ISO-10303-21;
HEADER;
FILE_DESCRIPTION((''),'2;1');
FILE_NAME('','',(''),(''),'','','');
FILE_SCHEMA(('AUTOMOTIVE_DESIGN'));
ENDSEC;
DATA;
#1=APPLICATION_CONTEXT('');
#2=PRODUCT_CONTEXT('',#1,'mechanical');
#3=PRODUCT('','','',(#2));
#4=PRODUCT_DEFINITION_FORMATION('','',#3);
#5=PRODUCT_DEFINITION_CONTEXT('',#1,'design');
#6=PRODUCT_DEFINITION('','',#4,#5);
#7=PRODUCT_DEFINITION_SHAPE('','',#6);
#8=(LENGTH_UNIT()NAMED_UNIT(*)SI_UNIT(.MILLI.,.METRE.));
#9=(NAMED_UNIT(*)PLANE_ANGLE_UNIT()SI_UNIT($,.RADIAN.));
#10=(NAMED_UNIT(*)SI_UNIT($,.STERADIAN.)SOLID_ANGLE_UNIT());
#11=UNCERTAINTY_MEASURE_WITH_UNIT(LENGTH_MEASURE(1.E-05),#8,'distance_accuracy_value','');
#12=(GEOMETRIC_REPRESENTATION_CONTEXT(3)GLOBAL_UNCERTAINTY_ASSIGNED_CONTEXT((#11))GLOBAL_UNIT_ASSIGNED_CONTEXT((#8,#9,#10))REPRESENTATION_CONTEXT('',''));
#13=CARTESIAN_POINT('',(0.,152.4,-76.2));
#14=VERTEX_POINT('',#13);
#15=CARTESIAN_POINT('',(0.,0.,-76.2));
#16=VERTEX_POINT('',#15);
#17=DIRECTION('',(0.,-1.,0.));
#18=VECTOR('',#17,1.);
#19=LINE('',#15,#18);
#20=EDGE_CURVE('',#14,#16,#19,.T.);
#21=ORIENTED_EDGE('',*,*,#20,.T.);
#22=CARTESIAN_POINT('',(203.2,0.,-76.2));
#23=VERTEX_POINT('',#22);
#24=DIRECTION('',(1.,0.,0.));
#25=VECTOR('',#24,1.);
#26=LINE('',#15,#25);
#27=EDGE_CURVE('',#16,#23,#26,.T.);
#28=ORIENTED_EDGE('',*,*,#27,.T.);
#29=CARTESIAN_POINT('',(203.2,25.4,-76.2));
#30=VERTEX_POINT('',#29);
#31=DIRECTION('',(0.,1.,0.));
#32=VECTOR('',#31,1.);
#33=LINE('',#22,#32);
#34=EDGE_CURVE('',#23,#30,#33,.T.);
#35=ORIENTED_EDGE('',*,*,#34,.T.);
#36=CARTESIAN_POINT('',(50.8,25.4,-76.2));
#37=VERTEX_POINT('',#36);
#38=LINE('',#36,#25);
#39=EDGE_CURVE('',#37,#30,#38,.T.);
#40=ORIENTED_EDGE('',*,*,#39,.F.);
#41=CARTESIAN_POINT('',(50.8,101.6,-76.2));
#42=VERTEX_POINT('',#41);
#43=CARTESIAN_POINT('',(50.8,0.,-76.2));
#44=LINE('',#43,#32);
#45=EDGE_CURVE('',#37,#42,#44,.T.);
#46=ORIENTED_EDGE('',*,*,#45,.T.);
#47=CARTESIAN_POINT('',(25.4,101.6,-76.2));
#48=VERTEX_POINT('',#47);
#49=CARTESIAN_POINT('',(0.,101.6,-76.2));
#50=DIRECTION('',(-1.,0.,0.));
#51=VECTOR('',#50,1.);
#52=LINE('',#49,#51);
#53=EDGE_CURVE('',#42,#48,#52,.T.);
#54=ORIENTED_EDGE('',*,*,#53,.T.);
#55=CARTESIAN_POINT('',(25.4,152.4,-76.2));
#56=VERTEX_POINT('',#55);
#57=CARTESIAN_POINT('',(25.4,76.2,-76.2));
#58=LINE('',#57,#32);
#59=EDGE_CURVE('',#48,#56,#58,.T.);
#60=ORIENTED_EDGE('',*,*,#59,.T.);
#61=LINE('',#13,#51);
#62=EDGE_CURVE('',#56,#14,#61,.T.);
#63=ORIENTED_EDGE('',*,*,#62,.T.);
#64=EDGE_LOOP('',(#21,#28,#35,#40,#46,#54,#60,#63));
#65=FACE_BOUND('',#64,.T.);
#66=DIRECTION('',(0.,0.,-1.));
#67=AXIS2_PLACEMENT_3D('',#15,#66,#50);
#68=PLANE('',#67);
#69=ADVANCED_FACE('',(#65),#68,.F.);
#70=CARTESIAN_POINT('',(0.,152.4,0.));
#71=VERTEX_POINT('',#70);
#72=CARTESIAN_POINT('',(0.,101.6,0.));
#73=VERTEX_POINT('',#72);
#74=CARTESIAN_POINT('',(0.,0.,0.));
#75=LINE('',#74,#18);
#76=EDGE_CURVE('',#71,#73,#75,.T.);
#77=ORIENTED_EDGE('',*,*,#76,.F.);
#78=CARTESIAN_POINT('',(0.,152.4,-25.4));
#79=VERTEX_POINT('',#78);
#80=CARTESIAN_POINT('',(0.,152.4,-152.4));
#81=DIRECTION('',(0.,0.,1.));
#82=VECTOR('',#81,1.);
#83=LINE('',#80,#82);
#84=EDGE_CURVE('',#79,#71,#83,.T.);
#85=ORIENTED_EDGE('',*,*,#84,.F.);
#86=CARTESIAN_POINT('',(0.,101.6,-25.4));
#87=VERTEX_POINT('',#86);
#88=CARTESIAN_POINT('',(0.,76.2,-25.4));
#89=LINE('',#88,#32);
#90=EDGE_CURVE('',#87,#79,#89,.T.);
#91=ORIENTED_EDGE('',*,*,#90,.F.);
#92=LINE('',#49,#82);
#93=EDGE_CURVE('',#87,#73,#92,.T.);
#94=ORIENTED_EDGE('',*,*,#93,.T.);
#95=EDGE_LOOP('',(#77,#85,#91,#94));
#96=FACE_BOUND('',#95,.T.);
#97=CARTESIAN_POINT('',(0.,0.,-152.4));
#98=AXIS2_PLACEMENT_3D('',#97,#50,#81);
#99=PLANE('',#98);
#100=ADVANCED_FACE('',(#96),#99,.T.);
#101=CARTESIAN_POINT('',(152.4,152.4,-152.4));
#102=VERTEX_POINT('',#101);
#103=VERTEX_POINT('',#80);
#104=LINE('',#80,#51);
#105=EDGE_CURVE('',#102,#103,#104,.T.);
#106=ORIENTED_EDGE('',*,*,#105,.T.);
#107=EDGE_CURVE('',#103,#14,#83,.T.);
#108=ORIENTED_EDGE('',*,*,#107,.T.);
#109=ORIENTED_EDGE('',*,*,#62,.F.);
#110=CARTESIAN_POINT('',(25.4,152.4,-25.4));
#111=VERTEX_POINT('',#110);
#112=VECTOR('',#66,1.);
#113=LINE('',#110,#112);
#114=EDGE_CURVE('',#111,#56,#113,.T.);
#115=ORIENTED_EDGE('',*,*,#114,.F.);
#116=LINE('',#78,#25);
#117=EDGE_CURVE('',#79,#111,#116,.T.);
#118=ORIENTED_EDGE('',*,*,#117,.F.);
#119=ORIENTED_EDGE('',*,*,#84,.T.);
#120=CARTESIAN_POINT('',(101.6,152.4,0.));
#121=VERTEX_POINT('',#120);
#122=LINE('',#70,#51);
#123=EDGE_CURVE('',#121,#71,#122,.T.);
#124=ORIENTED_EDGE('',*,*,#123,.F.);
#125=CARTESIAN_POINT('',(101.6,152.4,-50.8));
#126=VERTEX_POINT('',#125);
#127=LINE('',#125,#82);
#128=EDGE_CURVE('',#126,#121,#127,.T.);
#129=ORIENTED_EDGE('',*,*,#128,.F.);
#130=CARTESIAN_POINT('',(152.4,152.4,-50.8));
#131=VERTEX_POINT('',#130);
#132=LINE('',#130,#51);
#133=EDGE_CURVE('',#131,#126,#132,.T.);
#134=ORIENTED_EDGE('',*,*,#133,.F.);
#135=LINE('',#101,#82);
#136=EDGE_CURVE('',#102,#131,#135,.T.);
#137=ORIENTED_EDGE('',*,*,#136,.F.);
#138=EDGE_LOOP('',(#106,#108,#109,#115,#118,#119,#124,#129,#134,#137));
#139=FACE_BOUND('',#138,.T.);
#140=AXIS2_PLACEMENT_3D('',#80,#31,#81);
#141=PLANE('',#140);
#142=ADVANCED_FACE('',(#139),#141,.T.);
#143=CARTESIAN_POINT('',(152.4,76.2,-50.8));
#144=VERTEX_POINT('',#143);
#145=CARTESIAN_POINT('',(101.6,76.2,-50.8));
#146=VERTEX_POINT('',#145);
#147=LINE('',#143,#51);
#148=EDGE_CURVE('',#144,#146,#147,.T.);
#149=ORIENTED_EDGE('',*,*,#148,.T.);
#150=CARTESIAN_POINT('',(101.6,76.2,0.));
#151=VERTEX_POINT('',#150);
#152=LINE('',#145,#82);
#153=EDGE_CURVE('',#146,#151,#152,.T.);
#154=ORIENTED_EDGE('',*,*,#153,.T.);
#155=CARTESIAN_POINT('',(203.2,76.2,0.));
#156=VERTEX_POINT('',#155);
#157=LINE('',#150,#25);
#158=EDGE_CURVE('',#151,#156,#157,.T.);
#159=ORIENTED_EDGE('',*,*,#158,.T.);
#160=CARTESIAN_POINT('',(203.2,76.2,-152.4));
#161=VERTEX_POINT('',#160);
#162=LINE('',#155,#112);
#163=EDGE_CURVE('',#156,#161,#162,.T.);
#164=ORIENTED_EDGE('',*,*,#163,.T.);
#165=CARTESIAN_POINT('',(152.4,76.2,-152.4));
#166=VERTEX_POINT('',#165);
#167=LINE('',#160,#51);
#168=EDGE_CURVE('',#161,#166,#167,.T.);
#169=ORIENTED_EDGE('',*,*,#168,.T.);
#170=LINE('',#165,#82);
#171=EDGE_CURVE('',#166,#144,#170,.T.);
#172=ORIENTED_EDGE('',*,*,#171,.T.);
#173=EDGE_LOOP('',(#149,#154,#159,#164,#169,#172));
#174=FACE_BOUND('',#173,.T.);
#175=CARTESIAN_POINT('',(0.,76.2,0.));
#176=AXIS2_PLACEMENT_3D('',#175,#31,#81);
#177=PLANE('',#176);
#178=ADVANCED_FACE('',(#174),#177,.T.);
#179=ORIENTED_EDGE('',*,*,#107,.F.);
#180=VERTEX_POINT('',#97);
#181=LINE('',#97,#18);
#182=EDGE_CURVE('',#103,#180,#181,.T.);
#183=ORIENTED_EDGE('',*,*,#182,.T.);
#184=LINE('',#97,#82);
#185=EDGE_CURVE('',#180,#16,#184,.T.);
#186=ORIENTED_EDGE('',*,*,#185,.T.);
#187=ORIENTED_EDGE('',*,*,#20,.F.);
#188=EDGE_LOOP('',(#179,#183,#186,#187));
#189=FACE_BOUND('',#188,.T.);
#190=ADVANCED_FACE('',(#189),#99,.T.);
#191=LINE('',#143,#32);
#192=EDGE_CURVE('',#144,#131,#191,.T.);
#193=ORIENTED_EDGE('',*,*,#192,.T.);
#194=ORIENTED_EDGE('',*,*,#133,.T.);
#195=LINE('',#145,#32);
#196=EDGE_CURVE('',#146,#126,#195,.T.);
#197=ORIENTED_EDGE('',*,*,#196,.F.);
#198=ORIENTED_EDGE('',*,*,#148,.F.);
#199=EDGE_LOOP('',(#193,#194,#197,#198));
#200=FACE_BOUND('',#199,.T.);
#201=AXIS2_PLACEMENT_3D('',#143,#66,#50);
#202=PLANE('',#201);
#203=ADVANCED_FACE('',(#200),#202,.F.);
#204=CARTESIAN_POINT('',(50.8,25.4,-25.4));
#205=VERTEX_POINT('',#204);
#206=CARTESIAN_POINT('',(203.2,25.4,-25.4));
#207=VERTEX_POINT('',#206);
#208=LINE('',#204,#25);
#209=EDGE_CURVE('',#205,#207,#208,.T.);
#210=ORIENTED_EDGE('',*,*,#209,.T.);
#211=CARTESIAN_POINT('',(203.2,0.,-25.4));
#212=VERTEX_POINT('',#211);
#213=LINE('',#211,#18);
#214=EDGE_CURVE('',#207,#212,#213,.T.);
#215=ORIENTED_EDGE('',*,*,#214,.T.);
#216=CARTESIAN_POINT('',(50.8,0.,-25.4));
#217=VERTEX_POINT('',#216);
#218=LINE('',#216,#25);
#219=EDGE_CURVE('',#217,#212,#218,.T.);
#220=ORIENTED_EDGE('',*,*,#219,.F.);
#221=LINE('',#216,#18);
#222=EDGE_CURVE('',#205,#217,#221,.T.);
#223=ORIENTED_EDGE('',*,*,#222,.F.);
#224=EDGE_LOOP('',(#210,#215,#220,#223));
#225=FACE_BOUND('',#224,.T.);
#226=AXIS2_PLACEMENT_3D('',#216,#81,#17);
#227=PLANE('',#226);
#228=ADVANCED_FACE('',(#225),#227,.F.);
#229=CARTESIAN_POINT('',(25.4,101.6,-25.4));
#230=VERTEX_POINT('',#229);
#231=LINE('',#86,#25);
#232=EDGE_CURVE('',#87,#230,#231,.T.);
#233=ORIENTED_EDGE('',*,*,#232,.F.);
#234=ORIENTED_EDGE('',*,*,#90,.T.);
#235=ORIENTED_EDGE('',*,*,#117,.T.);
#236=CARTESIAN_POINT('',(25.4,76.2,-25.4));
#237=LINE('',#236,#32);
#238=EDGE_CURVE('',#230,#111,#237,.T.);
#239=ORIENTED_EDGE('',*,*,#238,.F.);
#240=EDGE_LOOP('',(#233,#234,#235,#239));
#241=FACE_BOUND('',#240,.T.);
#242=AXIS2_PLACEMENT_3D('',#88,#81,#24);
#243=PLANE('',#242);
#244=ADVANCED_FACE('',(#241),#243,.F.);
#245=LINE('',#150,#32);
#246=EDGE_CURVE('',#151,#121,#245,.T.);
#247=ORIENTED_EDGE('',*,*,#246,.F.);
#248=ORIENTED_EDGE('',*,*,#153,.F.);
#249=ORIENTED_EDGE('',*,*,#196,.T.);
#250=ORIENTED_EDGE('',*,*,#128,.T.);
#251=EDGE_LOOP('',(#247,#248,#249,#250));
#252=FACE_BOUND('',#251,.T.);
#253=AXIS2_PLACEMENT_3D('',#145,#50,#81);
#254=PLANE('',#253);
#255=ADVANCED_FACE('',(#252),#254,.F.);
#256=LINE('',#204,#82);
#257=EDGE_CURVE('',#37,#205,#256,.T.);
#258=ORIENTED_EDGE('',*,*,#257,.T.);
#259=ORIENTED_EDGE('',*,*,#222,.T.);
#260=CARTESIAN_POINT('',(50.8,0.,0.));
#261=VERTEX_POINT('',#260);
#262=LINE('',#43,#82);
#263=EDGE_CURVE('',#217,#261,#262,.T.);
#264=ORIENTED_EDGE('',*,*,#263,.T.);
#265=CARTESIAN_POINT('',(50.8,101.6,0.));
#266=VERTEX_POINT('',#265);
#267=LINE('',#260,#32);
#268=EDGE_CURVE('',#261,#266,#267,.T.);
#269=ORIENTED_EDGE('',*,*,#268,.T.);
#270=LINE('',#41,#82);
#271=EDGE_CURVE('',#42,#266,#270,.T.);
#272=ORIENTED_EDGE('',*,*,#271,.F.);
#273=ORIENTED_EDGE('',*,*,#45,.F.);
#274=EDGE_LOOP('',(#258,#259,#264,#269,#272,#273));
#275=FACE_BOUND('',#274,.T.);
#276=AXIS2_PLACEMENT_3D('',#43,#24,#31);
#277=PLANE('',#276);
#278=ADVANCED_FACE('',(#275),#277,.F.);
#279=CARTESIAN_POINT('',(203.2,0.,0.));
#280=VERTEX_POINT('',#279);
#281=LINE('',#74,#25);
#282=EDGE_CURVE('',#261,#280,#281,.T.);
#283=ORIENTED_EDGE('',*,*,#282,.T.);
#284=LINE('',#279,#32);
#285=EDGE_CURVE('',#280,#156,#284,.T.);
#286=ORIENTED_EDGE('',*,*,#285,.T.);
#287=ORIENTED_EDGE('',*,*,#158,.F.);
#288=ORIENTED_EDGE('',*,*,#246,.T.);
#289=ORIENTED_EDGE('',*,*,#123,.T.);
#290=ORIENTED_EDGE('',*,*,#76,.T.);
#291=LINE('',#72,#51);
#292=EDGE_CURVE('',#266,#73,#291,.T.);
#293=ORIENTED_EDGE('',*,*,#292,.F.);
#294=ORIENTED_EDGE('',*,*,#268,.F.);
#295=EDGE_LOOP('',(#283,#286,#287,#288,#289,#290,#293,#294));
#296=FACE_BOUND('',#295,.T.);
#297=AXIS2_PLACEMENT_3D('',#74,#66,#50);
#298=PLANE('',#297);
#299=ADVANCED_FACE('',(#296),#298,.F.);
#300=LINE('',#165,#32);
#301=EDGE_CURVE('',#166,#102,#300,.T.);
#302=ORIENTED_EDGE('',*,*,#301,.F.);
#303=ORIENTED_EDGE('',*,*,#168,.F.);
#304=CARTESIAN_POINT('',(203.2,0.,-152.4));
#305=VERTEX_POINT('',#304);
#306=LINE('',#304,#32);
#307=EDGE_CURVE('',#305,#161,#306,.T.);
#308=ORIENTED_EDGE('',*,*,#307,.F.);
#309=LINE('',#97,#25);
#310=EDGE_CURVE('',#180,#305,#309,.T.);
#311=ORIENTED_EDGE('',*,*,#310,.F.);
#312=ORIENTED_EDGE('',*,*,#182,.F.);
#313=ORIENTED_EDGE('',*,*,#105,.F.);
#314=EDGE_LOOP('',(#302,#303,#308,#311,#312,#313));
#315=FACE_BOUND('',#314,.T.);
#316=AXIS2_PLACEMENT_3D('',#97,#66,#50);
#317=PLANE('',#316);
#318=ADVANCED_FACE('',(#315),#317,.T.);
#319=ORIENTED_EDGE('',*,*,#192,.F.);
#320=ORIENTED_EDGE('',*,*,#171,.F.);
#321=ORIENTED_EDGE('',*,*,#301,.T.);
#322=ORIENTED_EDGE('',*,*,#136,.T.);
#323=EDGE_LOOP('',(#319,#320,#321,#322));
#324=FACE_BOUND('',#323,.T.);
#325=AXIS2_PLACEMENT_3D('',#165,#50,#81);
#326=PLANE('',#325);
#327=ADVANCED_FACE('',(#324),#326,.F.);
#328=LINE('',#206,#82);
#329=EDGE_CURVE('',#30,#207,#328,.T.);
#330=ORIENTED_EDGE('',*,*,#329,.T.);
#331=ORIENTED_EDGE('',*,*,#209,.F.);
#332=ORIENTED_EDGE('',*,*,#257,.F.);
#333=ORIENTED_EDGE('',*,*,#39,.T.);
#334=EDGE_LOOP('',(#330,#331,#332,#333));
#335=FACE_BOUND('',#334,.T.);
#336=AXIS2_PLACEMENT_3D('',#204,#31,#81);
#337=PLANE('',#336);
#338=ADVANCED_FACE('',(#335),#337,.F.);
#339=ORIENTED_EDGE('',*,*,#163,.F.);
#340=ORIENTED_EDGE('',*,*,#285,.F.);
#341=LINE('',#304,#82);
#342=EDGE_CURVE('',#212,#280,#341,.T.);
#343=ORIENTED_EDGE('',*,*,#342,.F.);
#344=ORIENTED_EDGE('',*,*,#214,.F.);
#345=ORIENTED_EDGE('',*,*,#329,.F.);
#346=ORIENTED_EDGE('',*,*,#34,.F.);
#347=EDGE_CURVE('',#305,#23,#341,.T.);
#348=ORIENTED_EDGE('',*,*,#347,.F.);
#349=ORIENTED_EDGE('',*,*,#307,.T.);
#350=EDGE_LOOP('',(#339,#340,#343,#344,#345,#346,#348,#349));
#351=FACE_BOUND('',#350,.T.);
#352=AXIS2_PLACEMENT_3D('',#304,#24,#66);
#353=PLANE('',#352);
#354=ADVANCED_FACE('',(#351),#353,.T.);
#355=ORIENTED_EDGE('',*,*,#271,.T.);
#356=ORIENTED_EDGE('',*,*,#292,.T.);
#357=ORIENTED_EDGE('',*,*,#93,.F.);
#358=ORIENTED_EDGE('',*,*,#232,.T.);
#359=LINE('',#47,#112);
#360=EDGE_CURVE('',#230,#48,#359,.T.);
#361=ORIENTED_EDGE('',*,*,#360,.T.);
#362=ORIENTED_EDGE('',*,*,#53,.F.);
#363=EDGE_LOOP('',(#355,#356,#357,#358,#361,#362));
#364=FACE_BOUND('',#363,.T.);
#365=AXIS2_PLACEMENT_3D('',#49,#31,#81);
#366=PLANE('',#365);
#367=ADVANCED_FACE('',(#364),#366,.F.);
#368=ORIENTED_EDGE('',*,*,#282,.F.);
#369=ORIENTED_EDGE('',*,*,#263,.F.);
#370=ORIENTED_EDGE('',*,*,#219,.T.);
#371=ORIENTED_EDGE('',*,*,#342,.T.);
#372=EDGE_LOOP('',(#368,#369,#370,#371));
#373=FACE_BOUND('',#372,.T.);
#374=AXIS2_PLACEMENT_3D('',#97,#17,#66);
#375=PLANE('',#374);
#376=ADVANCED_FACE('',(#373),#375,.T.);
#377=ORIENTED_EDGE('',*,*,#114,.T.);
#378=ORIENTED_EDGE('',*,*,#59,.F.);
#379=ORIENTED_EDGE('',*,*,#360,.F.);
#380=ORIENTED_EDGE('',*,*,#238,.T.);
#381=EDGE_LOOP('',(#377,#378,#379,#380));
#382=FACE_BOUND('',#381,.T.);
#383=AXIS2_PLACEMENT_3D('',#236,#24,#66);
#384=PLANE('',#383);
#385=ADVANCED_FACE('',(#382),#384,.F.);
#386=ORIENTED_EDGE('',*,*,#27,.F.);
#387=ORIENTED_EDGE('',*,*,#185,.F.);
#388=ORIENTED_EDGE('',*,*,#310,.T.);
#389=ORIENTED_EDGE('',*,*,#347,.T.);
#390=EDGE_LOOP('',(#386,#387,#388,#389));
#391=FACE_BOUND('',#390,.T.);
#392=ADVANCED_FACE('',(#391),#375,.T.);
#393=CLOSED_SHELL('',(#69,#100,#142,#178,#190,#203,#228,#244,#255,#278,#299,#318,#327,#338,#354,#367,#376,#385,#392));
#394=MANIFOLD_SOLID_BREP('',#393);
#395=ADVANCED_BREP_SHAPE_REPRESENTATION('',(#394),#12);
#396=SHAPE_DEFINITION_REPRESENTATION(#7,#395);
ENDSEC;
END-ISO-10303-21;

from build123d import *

# Parameters (mm, degrees)
SKETCH2_W           = 203.2
SKETCH2_H           = 152.4
BOSS_EXTRUDE1_DEPTH = 152.4
SKETCH4_W           = 50.8
SKETCH4_H           = 101.6
CUT_EXTRUDE1_DEPTH  = 76.2
SKETCH5_W           = 25.4
SKETCH5_H           = 50.8
CUT_EXTRUDE2_DEPTH  = 76.2
SKETCH6_W           = 50.8
SKETCH6_H           = 25.4
CUT_EXTRUDE3_DEPTH  = 152.4
CUT_EXTRUDE4_DEPTH  = 76.2


with BuildPart() as part:
    # Sketch2 → Boss-Extrude1 (new body)
    with BuildSketch(Plane.XY):
        with Locations((101.6, 76.2)):
            Rectangle(SKETCH2_W, SKETCH2_H)
    extrude(amount=-BOSS_EXTRUDE1_DEPTH)

    # Sketch4 → Cut-Extrude1 (cut)
    with BuildSketch(Plane.XY):
        with Locations((25.4, 50.8)):
            Rectangle(SKETCH4_W, SKETCH4_H)
    extrude(amount=-CUT_EXTRUDE1_DEPTH, mode=Mode.SUBTRACT)

    # Sketch5 → Cut-Extrude2 (cut)
    with BuildSketch(Plane(origin=(0, 152.4, 0), x_dir=(1, 0, 0), z_dir=(0, 1, 0))):
        with Locations((12.7, 50.8)):
            Rectangle(SKETCH5_W, SKETCH5_H)
    extrude(amount=-CUT_EXTRUDE2_DEPTH, mode=Mode.SUBTRACT)

    # Sketch6 → Cut-Extrude3 (cut)
    with BuildSketch(Plane(origin=(203.2, 0, 0), x_dir=(0, 0, -1), z_dir=(1, 0, 0))):
        with Locations((50.8, 12.7)):
            Rectangle(SKETCH6_W, SKETCH6_H)
    extrude(amount=-CUT_EXTRUDE3_DEPTH, mode=Mode.SUBTRACT)

    # Sketch7 → Cut-Extrude4 (cut)
    with BuildSketch(Plane(origin=(0, 152.4, 0), x_dir=(1, 0, 0), z_dir=(0, 1, 0))):
        Polygon((152.4, 152.4), (152.4, 50.8), (101.6, 50.8), (101.6, 0), (203.2, 0), (203.2, 152.4), align=None)
    extrude(amount=-CUT_EXTRUDE4_DEPTH, mode=Mode.SUBTRACT)


solid = part.part
